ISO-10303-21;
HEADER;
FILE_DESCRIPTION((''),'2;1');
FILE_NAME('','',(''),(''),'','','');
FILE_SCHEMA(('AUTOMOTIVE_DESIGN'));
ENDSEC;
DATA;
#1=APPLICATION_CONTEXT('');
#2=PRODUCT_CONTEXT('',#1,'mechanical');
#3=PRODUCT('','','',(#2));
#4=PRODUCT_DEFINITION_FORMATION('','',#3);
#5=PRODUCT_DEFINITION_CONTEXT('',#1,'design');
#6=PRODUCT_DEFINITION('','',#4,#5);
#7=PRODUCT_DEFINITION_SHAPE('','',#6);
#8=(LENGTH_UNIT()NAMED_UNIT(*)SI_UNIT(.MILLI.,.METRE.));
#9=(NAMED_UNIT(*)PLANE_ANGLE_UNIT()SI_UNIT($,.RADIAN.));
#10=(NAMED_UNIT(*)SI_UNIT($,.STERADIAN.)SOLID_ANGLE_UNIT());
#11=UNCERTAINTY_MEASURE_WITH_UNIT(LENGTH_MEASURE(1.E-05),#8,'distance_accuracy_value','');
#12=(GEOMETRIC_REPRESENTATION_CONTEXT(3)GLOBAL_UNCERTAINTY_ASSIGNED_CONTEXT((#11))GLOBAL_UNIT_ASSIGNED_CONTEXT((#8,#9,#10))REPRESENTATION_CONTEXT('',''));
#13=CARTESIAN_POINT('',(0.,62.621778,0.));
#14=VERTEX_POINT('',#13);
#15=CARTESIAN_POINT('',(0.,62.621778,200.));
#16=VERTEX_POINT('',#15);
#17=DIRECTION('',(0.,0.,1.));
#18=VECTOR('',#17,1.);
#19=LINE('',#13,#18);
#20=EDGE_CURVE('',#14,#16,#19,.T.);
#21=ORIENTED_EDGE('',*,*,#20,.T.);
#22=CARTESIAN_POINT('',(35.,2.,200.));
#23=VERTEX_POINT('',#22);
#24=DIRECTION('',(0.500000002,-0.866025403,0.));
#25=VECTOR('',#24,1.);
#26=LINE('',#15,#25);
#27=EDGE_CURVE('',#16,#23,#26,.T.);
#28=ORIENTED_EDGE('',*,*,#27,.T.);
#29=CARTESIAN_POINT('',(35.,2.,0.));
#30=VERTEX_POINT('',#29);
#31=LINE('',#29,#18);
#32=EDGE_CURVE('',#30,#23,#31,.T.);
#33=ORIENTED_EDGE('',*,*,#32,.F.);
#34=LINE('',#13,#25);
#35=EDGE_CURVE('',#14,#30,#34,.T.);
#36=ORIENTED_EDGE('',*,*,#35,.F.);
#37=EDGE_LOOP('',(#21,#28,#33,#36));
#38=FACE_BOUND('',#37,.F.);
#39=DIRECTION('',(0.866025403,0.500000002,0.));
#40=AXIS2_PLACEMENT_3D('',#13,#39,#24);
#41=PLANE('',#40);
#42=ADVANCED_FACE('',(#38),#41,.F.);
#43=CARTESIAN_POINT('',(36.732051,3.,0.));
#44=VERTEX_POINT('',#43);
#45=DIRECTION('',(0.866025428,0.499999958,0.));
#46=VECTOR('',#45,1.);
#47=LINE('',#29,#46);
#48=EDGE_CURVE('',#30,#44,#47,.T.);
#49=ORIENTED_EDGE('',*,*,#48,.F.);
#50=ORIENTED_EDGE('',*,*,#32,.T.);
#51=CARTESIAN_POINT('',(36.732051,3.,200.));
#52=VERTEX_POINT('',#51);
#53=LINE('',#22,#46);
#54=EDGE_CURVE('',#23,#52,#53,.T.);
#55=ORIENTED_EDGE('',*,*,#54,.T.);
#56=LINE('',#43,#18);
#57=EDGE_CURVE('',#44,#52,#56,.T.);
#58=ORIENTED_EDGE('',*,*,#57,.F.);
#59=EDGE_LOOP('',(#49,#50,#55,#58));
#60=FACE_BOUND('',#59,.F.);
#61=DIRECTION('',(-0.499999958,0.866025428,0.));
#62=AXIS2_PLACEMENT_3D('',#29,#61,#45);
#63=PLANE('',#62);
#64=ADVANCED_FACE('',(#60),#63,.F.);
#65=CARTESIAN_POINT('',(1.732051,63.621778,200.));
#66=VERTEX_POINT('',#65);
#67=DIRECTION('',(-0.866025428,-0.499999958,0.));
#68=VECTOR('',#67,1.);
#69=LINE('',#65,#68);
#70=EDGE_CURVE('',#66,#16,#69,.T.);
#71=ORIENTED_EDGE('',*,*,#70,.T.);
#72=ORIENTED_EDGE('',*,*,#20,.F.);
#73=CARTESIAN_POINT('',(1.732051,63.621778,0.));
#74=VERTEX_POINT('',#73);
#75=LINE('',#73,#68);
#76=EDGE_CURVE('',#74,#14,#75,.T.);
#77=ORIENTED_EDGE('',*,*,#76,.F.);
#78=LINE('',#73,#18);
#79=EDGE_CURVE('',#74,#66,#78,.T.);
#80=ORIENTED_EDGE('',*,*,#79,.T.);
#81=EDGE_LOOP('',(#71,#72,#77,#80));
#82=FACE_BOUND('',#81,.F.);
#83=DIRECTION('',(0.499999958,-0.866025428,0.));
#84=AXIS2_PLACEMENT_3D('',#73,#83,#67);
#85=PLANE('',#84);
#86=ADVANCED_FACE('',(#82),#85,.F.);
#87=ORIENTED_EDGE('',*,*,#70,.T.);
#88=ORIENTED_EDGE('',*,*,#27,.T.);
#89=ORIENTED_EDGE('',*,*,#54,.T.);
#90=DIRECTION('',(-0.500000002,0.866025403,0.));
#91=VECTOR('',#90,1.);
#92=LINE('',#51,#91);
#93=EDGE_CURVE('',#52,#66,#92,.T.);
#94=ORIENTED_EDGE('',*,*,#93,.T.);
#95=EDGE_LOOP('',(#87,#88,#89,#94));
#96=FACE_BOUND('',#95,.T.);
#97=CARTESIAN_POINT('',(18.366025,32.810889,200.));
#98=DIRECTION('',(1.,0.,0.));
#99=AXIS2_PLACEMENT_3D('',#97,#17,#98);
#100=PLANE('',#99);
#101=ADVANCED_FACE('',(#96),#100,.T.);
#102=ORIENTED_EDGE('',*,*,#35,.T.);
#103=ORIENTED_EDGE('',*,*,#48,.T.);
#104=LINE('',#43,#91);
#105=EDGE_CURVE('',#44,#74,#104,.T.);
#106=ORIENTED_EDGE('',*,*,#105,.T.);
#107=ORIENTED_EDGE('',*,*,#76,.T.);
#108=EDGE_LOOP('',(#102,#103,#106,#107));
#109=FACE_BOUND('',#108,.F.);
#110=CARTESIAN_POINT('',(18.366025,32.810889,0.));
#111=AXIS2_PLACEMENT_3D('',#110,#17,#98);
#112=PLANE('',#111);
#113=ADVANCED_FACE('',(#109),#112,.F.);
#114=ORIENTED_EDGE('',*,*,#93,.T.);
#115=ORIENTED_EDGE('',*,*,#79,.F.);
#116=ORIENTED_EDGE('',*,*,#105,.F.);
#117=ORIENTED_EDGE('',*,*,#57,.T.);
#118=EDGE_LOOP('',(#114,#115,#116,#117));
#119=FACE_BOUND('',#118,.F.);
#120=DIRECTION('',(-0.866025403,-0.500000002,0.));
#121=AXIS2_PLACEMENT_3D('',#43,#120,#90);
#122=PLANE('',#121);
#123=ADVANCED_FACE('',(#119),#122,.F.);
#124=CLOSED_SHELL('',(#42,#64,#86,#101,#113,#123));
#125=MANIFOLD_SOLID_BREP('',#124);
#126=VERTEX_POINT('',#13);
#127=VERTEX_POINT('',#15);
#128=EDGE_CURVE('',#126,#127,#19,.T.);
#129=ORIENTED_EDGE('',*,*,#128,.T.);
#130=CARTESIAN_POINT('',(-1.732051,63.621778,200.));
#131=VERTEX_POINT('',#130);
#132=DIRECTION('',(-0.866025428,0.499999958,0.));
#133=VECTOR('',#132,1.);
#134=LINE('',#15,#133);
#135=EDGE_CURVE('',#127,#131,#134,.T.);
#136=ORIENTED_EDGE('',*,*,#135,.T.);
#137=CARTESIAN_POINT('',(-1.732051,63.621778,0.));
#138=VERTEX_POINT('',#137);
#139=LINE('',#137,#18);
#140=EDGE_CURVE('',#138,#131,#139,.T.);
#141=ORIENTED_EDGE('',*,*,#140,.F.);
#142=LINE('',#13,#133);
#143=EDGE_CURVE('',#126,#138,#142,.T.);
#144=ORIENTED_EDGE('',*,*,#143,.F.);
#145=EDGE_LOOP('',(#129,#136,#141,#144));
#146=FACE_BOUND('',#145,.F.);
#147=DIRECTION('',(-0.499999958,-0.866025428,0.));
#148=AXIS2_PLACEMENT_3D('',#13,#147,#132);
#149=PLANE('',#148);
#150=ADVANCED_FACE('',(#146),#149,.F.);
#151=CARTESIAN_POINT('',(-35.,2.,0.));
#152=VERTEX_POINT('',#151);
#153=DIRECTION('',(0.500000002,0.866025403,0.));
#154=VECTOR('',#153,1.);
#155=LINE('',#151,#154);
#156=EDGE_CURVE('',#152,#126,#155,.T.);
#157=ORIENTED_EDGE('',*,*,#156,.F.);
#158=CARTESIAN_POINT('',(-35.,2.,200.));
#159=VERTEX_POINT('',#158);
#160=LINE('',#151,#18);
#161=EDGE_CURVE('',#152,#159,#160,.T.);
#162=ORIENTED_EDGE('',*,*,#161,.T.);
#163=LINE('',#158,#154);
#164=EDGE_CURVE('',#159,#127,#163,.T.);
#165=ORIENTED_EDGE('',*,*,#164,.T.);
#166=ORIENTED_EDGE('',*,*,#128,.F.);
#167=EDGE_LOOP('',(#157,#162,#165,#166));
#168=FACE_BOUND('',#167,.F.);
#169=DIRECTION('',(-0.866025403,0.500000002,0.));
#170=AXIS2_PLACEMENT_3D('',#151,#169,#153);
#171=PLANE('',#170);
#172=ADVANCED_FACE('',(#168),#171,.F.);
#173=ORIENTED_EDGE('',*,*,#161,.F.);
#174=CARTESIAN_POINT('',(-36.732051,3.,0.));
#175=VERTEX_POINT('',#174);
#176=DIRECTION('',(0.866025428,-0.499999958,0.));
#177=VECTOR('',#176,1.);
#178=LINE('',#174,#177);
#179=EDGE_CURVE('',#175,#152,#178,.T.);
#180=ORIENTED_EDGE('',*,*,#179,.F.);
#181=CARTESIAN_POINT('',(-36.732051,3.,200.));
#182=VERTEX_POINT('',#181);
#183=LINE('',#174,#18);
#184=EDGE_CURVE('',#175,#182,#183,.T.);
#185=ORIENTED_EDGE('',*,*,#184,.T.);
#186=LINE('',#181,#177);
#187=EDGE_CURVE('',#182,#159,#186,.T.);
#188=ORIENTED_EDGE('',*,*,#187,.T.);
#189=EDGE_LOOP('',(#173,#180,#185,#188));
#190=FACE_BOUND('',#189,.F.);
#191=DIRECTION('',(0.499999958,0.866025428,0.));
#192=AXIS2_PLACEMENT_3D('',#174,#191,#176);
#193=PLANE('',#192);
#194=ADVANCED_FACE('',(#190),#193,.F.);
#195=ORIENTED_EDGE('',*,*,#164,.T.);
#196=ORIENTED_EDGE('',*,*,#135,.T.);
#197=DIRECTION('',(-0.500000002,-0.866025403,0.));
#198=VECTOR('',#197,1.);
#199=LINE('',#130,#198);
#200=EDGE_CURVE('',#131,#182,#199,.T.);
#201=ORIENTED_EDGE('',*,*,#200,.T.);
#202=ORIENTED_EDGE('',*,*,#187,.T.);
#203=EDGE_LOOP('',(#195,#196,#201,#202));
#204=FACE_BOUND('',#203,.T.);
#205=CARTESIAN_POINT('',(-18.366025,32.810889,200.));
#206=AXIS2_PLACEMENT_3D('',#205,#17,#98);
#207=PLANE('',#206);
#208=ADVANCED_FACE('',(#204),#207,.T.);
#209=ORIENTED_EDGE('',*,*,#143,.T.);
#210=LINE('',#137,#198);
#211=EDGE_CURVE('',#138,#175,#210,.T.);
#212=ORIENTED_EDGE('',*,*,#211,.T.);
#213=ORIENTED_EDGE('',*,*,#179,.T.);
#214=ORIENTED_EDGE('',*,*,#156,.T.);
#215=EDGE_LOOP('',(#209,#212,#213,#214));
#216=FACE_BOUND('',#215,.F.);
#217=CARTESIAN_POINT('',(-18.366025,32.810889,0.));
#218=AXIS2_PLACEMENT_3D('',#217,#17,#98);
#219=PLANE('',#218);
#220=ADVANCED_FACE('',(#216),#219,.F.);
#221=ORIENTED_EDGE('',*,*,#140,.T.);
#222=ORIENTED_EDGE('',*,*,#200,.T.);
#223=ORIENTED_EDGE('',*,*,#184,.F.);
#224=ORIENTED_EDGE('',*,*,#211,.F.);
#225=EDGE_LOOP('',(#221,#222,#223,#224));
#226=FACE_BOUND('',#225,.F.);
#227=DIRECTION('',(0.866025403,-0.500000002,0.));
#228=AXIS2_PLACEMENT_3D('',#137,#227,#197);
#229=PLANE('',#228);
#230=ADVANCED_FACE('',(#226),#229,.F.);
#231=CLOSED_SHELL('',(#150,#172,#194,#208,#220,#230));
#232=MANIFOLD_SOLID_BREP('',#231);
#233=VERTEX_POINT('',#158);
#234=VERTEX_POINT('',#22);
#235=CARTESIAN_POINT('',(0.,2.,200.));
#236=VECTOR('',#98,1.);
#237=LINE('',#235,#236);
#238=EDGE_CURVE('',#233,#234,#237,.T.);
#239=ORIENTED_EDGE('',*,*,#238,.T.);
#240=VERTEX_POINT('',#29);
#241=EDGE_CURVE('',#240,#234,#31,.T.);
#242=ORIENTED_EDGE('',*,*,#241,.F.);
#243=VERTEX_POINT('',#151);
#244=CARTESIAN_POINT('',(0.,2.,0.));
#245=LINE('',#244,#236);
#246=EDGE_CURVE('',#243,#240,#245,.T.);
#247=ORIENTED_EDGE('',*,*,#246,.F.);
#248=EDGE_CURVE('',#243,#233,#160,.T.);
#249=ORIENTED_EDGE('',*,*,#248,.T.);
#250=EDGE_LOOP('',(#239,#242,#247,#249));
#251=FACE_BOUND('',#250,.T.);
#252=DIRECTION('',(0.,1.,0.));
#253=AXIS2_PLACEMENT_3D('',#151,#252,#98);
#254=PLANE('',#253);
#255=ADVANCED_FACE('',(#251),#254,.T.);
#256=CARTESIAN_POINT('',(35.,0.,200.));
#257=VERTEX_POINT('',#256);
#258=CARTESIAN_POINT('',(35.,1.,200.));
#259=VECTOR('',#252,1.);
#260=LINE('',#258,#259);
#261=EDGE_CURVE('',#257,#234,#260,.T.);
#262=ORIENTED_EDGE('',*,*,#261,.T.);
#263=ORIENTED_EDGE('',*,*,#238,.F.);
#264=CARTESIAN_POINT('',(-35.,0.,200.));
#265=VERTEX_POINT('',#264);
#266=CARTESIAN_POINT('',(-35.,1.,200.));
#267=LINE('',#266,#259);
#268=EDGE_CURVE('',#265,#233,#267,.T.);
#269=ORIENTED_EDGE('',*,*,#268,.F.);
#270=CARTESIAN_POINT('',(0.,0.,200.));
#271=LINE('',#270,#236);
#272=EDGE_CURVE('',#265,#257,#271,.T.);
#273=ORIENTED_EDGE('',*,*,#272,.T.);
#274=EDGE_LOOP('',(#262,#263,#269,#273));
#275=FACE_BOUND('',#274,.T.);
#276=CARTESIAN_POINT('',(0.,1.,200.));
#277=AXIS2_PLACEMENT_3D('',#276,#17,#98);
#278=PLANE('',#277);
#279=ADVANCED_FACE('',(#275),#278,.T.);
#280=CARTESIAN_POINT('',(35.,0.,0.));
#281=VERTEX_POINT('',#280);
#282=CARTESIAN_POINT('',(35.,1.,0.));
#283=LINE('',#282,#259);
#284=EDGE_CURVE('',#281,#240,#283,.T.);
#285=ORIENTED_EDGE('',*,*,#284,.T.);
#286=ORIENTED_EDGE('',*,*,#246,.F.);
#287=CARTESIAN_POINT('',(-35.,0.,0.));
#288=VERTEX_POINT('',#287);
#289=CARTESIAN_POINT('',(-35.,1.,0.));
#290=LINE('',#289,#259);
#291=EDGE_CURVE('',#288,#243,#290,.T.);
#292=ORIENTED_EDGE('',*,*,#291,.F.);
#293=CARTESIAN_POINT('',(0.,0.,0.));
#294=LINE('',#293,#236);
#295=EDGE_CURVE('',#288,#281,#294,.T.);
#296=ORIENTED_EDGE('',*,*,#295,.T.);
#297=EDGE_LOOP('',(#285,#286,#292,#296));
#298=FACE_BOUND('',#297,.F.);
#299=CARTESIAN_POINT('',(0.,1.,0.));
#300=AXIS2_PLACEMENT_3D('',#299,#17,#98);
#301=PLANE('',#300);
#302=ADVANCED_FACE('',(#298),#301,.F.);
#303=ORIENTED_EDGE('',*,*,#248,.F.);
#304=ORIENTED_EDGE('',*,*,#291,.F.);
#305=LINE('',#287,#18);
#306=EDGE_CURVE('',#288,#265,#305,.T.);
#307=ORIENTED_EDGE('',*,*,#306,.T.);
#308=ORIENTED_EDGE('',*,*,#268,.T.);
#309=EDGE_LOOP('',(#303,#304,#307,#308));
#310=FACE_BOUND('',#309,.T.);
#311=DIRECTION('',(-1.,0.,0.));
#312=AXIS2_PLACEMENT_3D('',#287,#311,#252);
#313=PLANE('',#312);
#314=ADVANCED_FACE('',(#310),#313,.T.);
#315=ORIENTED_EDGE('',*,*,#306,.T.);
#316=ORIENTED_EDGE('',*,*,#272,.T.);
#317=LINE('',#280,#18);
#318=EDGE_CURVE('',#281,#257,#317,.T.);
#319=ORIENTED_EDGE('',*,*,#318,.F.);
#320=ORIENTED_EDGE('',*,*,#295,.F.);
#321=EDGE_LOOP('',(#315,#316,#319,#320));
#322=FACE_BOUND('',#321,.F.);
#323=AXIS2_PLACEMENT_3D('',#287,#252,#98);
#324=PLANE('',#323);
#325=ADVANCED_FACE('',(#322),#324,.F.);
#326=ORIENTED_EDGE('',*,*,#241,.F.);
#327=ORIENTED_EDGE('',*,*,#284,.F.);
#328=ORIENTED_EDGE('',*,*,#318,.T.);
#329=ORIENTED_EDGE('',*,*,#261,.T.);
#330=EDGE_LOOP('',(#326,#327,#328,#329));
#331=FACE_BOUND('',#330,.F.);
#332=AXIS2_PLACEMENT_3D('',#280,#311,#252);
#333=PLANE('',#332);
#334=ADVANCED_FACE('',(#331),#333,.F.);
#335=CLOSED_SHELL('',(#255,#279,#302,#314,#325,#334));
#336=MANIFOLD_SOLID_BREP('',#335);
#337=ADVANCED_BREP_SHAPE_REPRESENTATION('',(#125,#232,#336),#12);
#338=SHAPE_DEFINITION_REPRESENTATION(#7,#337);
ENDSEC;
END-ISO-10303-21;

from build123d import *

# Parameters (mm, degrees)
F0_W     = 70
F0_H     = 2
F1_DEPTH = 200


with BuildPart() as f1:
    # F0 (on Top) → F1 (new body)
    with BuildSketch(Plane.XY):
        Polygon((-36.732051, 3), (-35, 2), (0, 62.621778), (-1.732051, 63.621778), align=None)
        with Locations((0, 1)):
            Rectangle(F0_W, F0_H)
        Polygon((0, 62.621778), (35, 2), (36.732051, 3), (1.732051, 63.621778), align=None)
    extrude(amount=F1_DEPTH)


solid = f1.part
